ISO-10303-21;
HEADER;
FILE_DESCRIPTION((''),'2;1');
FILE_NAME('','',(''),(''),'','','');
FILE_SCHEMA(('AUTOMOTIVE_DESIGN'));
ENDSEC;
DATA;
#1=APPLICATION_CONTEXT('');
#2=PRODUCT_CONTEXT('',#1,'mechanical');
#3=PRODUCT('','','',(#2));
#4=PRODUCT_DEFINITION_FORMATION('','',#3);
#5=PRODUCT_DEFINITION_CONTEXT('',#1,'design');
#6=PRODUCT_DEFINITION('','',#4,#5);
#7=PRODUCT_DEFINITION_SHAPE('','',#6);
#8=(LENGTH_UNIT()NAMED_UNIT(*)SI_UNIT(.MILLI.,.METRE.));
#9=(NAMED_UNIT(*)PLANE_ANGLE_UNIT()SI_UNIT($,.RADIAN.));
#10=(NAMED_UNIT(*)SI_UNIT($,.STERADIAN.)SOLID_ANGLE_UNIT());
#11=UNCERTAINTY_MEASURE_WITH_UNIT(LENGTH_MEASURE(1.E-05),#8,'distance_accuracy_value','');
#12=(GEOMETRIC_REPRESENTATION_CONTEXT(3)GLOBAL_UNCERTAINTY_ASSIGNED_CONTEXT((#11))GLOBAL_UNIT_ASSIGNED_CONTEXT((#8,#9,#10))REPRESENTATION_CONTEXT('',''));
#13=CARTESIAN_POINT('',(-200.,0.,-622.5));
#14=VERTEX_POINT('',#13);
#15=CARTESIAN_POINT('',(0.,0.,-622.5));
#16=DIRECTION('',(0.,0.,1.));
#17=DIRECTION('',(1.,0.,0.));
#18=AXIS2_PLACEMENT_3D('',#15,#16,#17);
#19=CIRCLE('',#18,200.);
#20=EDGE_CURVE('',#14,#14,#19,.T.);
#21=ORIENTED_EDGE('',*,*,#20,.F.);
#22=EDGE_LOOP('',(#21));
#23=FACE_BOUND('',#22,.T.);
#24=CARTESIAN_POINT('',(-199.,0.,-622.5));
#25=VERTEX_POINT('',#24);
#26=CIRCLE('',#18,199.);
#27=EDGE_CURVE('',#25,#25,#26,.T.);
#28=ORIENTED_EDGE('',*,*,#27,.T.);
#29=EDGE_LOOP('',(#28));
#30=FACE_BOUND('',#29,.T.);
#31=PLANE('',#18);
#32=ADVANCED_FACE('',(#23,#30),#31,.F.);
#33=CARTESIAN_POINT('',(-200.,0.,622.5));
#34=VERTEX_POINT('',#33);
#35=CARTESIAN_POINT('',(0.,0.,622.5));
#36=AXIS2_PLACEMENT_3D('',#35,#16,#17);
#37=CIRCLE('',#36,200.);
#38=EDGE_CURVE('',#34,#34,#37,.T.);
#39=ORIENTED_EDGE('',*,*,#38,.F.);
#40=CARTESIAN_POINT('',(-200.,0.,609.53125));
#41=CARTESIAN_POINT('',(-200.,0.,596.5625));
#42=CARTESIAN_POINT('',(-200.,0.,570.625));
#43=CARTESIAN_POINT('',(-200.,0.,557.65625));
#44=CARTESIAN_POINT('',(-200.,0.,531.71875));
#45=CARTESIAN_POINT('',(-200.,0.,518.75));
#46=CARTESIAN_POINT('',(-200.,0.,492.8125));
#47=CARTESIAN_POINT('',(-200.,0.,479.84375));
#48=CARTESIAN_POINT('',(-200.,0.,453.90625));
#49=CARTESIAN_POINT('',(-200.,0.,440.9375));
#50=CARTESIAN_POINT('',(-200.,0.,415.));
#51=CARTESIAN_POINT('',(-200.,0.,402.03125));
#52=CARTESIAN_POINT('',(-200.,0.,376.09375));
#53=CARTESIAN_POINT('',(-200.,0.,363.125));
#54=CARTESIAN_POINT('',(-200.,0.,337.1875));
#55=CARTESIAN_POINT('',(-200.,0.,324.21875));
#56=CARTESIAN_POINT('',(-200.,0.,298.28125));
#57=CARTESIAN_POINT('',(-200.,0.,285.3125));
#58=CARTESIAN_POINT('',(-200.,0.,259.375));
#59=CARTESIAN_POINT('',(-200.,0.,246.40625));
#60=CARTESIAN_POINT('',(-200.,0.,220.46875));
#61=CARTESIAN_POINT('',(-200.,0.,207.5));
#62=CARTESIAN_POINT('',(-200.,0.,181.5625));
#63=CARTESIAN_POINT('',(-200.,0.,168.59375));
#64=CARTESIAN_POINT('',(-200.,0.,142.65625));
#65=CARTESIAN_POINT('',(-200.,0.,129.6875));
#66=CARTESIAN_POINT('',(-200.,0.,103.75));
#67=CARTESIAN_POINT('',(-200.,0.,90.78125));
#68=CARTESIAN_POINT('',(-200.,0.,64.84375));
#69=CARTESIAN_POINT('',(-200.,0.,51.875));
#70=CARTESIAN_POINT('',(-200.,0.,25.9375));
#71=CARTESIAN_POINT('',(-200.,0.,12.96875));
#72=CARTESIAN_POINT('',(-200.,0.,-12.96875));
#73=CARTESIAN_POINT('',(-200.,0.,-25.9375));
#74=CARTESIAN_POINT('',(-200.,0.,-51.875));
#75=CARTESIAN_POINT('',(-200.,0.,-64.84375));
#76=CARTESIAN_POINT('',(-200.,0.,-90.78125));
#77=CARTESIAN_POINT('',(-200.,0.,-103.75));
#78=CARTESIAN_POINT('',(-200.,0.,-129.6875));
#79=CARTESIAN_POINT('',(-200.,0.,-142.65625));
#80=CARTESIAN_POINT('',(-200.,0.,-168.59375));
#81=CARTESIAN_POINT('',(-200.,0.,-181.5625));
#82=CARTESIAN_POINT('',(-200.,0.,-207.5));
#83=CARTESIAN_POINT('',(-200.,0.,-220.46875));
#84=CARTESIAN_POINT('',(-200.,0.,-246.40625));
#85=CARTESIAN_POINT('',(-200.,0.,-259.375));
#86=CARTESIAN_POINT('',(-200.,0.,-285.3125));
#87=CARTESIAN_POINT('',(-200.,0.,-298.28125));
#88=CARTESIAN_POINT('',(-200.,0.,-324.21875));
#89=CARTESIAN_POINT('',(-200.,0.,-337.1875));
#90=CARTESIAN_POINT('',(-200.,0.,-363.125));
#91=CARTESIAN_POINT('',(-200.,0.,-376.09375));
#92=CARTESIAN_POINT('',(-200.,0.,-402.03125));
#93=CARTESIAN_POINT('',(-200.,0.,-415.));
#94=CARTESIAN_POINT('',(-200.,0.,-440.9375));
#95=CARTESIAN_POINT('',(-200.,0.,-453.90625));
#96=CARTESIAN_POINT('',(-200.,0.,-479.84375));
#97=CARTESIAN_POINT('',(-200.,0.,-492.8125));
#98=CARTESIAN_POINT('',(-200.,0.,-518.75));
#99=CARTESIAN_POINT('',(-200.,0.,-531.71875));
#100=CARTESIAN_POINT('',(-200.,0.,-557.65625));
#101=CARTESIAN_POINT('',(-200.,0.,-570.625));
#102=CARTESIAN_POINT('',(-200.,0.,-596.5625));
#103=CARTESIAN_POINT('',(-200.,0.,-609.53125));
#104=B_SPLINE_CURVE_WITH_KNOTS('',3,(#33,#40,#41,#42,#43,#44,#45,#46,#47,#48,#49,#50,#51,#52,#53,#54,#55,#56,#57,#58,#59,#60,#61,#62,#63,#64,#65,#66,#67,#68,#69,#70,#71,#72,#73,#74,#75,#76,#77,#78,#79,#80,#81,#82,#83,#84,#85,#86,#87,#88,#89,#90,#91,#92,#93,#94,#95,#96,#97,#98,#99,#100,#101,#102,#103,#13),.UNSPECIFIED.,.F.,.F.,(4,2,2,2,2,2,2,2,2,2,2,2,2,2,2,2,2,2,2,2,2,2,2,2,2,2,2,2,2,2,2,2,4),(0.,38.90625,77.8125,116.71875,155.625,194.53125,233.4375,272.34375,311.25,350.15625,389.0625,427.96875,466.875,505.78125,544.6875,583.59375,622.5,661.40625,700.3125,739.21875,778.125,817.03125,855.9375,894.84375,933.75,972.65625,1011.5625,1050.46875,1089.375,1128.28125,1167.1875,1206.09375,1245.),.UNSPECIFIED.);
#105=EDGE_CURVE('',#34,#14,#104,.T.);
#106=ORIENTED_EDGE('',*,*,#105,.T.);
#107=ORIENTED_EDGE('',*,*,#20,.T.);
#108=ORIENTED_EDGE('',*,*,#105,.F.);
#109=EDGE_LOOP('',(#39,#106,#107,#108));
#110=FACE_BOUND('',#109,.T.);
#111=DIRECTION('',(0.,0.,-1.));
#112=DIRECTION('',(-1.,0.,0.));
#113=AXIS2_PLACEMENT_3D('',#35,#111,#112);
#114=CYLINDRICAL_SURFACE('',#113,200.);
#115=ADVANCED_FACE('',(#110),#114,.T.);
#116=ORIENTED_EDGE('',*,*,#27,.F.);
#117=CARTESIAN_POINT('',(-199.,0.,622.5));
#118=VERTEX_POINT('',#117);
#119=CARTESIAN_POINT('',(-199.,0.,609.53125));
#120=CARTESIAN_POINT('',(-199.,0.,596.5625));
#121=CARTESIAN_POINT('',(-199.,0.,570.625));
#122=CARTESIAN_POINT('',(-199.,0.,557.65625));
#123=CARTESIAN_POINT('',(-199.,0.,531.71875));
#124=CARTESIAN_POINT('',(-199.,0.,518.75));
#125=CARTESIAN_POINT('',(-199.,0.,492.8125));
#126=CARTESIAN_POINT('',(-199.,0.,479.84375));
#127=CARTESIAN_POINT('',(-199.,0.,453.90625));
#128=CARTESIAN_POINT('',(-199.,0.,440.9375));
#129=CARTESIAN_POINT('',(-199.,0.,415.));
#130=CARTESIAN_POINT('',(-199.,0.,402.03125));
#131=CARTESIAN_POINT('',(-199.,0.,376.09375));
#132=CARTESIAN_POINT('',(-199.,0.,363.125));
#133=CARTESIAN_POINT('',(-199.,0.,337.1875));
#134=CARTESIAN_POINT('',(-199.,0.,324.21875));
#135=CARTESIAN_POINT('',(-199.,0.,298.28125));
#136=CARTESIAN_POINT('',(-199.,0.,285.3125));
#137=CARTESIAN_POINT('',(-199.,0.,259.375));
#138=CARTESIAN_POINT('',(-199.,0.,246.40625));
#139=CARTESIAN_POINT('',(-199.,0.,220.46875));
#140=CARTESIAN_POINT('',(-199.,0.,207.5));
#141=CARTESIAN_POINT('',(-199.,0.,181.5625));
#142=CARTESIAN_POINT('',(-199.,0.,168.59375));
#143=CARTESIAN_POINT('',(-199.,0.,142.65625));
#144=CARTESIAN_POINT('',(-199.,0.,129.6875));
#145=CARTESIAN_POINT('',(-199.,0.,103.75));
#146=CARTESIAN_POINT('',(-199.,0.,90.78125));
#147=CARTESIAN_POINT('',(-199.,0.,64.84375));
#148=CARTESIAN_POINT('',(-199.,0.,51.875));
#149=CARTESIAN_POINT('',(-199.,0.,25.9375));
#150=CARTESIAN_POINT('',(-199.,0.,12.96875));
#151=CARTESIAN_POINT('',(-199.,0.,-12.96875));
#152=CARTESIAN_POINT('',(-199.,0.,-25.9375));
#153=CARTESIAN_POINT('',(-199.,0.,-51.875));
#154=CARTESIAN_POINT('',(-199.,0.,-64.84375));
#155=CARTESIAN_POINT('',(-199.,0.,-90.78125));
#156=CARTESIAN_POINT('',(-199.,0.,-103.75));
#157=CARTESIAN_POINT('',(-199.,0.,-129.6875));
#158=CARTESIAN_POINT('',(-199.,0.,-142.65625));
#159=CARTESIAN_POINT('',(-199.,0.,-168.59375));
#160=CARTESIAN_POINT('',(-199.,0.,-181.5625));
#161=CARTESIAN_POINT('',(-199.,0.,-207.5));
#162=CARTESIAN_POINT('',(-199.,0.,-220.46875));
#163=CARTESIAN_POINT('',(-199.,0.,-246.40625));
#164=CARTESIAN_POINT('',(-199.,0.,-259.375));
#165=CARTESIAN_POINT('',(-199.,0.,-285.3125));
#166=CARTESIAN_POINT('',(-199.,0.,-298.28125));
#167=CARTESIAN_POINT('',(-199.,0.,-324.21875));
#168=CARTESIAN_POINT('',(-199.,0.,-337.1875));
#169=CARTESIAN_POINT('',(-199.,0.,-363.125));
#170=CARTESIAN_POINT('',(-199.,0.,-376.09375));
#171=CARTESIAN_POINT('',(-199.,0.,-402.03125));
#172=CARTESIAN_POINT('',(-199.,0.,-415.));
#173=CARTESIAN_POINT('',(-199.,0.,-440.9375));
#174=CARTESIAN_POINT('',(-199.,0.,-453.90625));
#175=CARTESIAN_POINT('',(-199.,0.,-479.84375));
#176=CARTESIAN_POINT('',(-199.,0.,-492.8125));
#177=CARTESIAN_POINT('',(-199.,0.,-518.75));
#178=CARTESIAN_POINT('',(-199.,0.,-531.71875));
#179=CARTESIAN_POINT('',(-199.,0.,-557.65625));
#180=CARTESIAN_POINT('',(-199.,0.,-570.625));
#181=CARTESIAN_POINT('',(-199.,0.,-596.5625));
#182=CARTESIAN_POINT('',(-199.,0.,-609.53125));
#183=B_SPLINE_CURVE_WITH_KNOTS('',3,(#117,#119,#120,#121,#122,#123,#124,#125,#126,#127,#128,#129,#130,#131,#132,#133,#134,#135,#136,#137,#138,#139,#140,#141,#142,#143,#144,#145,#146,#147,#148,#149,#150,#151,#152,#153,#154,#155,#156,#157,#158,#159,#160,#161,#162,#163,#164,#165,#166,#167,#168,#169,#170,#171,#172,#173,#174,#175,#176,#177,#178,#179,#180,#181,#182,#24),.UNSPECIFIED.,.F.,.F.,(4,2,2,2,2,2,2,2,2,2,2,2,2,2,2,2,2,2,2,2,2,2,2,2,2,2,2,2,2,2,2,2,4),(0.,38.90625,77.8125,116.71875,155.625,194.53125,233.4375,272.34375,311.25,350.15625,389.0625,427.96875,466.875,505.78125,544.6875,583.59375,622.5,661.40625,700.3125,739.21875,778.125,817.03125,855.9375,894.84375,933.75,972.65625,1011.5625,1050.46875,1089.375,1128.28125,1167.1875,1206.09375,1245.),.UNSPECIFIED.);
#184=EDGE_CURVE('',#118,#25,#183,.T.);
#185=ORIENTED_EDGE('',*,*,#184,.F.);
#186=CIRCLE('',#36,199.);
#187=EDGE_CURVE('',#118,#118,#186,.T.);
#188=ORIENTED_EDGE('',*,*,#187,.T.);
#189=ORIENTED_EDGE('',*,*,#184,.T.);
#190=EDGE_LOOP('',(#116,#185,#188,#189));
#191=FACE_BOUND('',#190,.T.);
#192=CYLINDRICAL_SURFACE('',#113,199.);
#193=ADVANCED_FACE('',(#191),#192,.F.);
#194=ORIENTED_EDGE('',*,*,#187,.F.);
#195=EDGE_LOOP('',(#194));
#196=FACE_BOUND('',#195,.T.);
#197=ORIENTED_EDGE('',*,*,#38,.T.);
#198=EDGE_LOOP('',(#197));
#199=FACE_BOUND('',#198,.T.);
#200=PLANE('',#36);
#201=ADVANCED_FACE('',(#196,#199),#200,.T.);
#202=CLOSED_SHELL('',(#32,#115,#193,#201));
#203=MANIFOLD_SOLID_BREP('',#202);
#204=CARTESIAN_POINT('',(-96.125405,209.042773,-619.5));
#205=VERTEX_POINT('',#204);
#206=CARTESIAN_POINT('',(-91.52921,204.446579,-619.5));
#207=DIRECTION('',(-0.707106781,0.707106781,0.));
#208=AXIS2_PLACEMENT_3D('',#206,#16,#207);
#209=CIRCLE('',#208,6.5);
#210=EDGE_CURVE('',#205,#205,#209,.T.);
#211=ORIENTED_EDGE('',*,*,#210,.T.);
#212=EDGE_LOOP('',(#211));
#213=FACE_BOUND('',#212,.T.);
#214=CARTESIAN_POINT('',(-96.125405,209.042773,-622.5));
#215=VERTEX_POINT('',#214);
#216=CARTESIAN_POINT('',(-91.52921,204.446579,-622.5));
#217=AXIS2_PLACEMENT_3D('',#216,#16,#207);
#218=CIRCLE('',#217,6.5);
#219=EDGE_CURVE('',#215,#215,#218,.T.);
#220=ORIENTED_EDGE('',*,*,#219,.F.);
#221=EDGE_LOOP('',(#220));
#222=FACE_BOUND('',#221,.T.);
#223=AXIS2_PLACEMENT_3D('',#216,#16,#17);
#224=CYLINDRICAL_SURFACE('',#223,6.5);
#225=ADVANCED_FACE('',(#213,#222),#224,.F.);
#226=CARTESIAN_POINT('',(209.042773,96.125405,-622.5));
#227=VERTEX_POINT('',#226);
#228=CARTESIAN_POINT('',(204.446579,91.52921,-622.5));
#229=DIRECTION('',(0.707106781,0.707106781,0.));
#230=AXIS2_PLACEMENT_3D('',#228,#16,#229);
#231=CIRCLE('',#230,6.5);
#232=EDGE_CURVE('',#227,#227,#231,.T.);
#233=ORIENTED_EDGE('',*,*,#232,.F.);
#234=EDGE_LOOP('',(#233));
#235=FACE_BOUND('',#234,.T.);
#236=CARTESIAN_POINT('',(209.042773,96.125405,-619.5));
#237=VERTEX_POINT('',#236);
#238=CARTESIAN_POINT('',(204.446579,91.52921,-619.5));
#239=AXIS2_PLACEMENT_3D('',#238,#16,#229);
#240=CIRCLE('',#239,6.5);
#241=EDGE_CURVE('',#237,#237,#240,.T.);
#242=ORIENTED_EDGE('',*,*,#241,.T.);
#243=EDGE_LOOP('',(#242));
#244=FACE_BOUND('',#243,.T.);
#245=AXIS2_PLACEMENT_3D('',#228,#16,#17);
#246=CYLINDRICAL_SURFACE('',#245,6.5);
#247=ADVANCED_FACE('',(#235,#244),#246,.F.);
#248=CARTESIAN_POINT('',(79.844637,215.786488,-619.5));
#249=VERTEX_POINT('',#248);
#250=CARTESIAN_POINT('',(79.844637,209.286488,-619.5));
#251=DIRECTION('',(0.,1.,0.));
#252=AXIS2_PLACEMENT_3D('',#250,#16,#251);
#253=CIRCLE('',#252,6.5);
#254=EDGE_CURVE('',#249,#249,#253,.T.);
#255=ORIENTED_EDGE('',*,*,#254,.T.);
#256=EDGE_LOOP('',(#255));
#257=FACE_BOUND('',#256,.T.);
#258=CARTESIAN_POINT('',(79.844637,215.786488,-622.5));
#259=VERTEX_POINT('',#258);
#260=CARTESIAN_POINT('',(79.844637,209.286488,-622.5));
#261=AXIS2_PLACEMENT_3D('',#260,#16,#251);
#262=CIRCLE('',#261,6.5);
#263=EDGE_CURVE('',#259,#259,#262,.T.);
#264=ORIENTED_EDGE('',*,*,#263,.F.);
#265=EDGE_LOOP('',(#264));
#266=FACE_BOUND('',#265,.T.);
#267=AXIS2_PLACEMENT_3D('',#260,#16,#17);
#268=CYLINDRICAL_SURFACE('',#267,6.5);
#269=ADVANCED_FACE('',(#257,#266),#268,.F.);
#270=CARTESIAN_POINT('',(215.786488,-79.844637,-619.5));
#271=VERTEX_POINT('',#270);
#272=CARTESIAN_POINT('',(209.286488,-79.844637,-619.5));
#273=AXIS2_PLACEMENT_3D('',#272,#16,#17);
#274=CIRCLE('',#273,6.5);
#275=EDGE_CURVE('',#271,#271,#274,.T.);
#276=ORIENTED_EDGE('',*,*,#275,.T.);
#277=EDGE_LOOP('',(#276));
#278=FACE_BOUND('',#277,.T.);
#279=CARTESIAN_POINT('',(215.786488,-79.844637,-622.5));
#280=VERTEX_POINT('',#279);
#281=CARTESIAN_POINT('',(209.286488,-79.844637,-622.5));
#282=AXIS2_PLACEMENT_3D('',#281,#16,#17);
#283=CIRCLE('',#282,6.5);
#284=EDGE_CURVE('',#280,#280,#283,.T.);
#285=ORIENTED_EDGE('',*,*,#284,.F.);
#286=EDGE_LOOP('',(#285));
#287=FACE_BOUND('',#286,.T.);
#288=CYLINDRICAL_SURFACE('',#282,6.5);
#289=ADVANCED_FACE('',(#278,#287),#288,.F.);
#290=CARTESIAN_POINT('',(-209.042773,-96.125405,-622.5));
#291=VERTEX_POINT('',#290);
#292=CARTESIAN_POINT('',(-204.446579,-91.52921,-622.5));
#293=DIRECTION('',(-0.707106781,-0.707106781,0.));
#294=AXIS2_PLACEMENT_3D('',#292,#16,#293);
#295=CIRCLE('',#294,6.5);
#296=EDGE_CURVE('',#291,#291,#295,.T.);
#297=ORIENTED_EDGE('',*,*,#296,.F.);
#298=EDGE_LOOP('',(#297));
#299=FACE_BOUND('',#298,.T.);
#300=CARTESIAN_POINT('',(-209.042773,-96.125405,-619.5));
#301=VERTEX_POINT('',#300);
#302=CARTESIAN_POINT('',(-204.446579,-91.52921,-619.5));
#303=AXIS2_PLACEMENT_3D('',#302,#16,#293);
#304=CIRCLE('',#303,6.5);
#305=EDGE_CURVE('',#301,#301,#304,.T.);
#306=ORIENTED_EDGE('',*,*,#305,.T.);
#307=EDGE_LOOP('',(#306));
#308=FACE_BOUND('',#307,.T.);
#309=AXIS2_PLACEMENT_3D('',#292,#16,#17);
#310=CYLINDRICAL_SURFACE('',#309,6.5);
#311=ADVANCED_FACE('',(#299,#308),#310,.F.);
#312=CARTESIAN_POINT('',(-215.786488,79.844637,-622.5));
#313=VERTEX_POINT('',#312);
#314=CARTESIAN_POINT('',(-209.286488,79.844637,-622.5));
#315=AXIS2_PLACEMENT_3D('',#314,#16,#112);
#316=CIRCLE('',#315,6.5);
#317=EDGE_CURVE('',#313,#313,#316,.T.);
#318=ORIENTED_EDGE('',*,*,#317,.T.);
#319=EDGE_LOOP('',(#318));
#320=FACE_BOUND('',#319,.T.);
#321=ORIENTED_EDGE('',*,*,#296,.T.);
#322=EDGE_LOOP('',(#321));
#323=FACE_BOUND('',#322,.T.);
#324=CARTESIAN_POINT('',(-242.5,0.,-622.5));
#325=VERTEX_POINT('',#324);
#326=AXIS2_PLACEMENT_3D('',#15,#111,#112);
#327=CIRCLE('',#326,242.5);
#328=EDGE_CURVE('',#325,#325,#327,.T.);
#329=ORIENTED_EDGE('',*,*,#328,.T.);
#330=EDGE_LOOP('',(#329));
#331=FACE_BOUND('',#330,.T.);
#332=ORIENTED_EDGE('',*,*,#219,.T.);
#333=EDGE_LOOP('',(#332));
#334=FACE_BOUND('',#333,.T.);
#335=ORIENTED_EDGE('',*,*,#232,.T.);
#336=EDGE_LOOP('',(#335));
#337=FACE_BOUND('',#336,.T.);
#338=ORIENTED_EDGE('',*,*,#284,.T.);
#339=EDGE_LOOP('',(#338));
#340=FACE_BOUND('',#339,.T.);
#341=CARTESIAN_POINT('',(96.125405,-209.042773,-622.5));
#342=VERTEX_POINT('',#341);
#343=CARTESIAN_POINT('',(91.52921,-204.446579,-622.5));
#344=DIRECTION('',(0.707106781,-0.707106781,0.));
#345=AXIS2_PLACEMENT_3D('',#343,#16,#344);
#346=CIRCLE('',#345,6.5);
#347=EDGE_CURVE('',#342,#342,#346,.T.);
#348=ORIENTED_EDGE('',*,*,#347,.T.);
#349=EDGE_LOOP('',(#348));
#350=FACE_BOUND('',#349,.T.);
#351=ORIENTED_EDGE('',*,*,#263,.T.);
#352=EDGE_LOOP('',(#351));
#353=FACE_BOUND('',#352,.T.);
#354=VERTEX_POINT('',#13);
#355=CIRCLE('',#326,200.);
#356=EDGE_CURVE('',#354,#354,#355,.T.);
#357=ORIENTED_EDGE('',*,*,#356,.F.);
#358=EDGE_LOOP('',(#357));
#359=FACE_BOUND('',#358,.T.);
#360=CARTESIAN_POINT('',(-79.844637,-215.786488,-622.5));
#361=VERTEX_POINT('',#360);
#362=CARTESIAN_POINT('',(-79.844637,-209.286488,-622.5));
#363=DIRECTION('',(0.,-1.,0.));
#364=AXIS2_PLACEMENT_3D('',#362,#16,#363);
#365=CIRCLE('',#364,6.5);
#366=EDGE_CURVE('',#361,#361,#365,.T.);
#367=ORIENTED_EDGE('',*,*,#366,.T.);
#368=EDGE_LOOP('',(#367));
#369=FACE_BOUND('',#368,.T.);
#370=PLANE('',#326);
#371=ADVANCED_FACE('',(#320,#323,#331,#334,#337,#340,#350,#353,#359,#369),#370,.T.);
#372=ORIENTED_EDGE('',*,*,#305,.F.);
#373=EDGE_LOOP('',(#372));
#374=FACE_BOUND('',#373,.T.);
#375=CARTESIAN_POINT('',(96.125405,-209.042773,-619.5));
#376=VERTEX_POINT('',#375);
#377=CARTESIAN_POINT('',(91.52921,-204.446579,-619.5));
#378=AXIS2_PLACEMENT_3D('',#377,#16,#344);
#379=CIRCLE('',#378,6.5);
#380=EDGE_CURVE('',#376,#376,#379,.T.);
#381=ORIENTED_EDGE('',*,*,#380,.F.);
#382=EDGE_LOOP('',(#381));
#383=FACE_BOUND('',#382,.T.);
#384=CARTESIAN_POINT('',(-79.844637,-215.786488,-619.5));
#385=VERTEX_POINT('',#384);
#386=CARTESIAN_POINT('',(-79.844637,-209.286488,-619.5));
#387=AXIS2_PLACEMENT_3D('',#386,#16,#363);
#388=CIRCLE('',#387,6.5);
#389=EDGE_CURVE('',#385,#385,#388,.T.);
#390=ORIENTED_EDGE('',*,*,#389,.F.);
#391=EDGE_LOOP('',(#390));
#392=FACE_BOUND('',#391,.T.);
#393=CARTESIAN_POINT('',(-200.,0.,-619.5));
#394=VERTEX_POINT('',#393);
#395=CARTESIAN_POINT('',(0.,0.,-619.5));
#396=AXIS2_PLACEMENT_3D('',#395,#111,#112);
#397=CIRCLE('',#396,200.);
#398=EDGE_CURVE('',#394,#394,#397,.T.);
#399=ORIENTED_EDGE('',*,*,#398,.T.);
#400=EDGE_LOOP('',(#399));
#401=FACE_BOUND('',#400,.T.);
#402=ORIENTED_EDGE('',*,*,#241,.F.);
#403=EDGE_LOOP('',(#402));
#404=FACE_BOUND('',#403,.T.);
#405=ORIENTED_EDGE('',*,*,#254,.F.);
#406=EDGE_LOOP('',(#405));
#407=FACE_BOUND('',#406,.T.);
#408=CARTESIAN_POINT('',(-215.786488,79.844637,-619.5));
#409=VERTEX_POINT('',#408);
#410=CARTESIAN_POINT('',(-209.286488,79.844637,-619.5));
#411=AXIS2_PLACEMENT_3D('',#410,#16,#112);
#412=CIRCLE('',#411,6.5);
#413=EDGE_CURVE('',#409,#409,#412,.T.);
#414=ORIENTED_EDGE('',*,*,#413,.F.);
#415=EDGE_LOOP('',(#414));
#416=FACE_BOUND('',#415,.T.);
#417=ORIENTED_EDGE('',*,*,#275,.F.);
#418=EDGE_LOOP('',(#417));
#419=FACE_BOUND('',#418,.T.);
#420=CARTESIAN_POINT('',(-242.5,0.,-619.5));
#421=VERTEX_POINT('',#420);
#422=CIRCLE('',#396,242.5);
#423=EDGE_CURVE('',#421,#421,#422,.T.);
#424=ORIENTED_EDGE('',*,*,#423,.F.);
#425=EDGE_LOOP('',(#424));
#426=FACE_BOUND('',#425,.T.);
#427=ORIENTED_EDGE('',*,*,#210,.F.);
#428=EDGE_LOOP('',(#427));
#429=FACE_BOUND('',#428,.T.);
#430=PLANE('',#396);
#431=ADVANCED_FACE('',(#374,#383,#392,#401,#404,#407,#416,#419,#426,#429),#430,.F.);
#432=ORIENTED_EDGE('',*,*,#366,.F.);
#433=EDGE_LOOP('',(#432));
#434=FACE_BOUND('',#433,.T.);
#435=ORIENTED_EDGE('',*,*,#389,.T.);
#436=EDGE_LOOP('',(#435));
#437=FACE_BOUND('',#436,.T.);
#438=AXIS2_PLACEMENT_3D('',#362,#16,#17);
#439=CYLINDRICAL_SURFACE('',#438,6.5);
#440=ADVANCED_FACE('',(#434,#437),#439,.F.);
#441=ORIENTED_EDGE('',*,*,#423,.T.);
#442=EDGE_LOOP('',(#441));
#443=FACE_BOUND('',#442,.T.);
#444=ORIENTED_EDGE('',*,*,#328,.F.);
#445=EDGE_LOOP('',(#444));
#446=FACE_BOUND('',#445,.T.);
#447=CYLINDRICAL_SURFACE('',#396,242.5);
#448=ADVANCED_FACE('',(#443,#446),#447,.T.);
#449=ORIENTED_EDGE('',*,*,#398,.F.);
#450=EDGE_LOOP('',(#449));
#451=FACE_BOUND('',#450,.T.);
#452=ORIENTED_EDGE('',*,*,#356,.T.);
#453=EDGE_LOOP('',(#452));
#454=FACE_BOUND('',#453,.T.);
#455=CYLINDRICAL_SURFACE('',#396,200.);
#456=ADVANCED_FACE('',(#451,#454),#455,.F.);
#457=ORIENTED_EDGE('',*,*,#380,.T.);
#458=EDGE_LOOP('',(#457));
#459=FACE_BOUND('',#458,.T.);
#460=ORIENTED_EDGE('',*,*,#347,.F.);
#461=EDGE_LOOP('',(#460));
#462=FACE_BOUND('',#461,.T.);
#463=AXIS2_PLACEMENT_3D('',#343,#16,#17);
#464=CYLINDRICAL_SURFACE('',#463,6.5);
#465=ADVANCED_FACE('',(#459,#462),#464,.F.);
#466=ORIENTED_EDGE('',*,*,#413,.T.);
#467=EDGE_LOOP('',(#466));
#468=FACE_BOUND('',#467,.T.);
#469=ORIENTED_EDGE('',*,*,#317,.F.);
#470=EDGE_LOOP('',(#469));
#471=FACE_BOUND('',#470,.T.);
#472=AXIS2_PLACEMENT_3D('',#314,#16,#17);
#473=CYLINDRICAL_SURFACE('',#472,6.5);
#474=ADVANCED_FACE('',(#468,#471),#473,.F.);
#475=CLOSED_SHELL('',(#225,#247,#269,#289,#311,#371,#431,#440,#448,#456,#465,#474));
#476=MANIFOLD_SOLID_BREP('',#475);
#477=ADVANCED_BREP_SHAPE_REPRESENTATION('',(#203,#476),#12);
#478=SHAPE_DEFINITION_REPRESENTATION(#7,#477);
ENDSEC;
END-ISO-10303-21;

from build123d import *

# Parameters (mm, degrees)
SKETCH1_R           = 200
SKETCH1_R_2         = 199
EXTRUDE_THIN1_DEPTH = 622.5
SKETCH2_R           = 242.5
SKETCH2_R_2         = 200
EXTRUDE1_DEPTH      = 3
SKETCH3_R           = 6.5
CUT_EXTRUDE1_DEPTH  = 3
CIRPATTERN1_COUNT   = 8


with BuildPart() as part:
    # Sketch1 → Extrude-Thin1 (new, symmetric)
    with BuildSketch(Plane.XY):
        Circle(SKETCH1_R)
        Circle(SKETCH1_R_2, mode=Mode.SUBTRACT)
    extrude(amount=EXTRUDE_THIN1_DEPTH, both=True)


with BuildPart() as body_2:
    # Sketch2 → Extrude1 (new body)
    with BuildSketch(Plane(origin=(0, 0, -622.5), x_dir=(-1, 0, 0), z_dir=(0, 0, -1))):
        Circle(SKETCH2_R)
        Circle(SKETCH2_R_2, mode=Mode.SUBTRACT)
    extrude(amount=-EXTRUDE1_DEPTH)

    # Sketch3 → Cut-Extrude1 (cut)
    with BuildSketch(Plane.XY.offset(-619.5)):
        with Locations((209.286487732, -79.844636971)):
            Circle(SKETCH3_R)
    cut_extrude1 = extrude(amount=-CUT_EXTRUDE1_DEPTH, mode=Mode.SUBTRACT)

    # CirPattern1: Cut-Extrude1 ×8 about axis
    cirpattern1_axis = Axis((0, 0, 0), (0, 0, 1))
    for i in range(1, CIRPATTERN1_COUNT):
        add(cut_extrude1.rotate(cirpattern1_axis, i * 360 / CIRPATTERN1_COUNT), mode=Mode.SUBTRACT)


solid = Compound([part.part, body_2.part])
